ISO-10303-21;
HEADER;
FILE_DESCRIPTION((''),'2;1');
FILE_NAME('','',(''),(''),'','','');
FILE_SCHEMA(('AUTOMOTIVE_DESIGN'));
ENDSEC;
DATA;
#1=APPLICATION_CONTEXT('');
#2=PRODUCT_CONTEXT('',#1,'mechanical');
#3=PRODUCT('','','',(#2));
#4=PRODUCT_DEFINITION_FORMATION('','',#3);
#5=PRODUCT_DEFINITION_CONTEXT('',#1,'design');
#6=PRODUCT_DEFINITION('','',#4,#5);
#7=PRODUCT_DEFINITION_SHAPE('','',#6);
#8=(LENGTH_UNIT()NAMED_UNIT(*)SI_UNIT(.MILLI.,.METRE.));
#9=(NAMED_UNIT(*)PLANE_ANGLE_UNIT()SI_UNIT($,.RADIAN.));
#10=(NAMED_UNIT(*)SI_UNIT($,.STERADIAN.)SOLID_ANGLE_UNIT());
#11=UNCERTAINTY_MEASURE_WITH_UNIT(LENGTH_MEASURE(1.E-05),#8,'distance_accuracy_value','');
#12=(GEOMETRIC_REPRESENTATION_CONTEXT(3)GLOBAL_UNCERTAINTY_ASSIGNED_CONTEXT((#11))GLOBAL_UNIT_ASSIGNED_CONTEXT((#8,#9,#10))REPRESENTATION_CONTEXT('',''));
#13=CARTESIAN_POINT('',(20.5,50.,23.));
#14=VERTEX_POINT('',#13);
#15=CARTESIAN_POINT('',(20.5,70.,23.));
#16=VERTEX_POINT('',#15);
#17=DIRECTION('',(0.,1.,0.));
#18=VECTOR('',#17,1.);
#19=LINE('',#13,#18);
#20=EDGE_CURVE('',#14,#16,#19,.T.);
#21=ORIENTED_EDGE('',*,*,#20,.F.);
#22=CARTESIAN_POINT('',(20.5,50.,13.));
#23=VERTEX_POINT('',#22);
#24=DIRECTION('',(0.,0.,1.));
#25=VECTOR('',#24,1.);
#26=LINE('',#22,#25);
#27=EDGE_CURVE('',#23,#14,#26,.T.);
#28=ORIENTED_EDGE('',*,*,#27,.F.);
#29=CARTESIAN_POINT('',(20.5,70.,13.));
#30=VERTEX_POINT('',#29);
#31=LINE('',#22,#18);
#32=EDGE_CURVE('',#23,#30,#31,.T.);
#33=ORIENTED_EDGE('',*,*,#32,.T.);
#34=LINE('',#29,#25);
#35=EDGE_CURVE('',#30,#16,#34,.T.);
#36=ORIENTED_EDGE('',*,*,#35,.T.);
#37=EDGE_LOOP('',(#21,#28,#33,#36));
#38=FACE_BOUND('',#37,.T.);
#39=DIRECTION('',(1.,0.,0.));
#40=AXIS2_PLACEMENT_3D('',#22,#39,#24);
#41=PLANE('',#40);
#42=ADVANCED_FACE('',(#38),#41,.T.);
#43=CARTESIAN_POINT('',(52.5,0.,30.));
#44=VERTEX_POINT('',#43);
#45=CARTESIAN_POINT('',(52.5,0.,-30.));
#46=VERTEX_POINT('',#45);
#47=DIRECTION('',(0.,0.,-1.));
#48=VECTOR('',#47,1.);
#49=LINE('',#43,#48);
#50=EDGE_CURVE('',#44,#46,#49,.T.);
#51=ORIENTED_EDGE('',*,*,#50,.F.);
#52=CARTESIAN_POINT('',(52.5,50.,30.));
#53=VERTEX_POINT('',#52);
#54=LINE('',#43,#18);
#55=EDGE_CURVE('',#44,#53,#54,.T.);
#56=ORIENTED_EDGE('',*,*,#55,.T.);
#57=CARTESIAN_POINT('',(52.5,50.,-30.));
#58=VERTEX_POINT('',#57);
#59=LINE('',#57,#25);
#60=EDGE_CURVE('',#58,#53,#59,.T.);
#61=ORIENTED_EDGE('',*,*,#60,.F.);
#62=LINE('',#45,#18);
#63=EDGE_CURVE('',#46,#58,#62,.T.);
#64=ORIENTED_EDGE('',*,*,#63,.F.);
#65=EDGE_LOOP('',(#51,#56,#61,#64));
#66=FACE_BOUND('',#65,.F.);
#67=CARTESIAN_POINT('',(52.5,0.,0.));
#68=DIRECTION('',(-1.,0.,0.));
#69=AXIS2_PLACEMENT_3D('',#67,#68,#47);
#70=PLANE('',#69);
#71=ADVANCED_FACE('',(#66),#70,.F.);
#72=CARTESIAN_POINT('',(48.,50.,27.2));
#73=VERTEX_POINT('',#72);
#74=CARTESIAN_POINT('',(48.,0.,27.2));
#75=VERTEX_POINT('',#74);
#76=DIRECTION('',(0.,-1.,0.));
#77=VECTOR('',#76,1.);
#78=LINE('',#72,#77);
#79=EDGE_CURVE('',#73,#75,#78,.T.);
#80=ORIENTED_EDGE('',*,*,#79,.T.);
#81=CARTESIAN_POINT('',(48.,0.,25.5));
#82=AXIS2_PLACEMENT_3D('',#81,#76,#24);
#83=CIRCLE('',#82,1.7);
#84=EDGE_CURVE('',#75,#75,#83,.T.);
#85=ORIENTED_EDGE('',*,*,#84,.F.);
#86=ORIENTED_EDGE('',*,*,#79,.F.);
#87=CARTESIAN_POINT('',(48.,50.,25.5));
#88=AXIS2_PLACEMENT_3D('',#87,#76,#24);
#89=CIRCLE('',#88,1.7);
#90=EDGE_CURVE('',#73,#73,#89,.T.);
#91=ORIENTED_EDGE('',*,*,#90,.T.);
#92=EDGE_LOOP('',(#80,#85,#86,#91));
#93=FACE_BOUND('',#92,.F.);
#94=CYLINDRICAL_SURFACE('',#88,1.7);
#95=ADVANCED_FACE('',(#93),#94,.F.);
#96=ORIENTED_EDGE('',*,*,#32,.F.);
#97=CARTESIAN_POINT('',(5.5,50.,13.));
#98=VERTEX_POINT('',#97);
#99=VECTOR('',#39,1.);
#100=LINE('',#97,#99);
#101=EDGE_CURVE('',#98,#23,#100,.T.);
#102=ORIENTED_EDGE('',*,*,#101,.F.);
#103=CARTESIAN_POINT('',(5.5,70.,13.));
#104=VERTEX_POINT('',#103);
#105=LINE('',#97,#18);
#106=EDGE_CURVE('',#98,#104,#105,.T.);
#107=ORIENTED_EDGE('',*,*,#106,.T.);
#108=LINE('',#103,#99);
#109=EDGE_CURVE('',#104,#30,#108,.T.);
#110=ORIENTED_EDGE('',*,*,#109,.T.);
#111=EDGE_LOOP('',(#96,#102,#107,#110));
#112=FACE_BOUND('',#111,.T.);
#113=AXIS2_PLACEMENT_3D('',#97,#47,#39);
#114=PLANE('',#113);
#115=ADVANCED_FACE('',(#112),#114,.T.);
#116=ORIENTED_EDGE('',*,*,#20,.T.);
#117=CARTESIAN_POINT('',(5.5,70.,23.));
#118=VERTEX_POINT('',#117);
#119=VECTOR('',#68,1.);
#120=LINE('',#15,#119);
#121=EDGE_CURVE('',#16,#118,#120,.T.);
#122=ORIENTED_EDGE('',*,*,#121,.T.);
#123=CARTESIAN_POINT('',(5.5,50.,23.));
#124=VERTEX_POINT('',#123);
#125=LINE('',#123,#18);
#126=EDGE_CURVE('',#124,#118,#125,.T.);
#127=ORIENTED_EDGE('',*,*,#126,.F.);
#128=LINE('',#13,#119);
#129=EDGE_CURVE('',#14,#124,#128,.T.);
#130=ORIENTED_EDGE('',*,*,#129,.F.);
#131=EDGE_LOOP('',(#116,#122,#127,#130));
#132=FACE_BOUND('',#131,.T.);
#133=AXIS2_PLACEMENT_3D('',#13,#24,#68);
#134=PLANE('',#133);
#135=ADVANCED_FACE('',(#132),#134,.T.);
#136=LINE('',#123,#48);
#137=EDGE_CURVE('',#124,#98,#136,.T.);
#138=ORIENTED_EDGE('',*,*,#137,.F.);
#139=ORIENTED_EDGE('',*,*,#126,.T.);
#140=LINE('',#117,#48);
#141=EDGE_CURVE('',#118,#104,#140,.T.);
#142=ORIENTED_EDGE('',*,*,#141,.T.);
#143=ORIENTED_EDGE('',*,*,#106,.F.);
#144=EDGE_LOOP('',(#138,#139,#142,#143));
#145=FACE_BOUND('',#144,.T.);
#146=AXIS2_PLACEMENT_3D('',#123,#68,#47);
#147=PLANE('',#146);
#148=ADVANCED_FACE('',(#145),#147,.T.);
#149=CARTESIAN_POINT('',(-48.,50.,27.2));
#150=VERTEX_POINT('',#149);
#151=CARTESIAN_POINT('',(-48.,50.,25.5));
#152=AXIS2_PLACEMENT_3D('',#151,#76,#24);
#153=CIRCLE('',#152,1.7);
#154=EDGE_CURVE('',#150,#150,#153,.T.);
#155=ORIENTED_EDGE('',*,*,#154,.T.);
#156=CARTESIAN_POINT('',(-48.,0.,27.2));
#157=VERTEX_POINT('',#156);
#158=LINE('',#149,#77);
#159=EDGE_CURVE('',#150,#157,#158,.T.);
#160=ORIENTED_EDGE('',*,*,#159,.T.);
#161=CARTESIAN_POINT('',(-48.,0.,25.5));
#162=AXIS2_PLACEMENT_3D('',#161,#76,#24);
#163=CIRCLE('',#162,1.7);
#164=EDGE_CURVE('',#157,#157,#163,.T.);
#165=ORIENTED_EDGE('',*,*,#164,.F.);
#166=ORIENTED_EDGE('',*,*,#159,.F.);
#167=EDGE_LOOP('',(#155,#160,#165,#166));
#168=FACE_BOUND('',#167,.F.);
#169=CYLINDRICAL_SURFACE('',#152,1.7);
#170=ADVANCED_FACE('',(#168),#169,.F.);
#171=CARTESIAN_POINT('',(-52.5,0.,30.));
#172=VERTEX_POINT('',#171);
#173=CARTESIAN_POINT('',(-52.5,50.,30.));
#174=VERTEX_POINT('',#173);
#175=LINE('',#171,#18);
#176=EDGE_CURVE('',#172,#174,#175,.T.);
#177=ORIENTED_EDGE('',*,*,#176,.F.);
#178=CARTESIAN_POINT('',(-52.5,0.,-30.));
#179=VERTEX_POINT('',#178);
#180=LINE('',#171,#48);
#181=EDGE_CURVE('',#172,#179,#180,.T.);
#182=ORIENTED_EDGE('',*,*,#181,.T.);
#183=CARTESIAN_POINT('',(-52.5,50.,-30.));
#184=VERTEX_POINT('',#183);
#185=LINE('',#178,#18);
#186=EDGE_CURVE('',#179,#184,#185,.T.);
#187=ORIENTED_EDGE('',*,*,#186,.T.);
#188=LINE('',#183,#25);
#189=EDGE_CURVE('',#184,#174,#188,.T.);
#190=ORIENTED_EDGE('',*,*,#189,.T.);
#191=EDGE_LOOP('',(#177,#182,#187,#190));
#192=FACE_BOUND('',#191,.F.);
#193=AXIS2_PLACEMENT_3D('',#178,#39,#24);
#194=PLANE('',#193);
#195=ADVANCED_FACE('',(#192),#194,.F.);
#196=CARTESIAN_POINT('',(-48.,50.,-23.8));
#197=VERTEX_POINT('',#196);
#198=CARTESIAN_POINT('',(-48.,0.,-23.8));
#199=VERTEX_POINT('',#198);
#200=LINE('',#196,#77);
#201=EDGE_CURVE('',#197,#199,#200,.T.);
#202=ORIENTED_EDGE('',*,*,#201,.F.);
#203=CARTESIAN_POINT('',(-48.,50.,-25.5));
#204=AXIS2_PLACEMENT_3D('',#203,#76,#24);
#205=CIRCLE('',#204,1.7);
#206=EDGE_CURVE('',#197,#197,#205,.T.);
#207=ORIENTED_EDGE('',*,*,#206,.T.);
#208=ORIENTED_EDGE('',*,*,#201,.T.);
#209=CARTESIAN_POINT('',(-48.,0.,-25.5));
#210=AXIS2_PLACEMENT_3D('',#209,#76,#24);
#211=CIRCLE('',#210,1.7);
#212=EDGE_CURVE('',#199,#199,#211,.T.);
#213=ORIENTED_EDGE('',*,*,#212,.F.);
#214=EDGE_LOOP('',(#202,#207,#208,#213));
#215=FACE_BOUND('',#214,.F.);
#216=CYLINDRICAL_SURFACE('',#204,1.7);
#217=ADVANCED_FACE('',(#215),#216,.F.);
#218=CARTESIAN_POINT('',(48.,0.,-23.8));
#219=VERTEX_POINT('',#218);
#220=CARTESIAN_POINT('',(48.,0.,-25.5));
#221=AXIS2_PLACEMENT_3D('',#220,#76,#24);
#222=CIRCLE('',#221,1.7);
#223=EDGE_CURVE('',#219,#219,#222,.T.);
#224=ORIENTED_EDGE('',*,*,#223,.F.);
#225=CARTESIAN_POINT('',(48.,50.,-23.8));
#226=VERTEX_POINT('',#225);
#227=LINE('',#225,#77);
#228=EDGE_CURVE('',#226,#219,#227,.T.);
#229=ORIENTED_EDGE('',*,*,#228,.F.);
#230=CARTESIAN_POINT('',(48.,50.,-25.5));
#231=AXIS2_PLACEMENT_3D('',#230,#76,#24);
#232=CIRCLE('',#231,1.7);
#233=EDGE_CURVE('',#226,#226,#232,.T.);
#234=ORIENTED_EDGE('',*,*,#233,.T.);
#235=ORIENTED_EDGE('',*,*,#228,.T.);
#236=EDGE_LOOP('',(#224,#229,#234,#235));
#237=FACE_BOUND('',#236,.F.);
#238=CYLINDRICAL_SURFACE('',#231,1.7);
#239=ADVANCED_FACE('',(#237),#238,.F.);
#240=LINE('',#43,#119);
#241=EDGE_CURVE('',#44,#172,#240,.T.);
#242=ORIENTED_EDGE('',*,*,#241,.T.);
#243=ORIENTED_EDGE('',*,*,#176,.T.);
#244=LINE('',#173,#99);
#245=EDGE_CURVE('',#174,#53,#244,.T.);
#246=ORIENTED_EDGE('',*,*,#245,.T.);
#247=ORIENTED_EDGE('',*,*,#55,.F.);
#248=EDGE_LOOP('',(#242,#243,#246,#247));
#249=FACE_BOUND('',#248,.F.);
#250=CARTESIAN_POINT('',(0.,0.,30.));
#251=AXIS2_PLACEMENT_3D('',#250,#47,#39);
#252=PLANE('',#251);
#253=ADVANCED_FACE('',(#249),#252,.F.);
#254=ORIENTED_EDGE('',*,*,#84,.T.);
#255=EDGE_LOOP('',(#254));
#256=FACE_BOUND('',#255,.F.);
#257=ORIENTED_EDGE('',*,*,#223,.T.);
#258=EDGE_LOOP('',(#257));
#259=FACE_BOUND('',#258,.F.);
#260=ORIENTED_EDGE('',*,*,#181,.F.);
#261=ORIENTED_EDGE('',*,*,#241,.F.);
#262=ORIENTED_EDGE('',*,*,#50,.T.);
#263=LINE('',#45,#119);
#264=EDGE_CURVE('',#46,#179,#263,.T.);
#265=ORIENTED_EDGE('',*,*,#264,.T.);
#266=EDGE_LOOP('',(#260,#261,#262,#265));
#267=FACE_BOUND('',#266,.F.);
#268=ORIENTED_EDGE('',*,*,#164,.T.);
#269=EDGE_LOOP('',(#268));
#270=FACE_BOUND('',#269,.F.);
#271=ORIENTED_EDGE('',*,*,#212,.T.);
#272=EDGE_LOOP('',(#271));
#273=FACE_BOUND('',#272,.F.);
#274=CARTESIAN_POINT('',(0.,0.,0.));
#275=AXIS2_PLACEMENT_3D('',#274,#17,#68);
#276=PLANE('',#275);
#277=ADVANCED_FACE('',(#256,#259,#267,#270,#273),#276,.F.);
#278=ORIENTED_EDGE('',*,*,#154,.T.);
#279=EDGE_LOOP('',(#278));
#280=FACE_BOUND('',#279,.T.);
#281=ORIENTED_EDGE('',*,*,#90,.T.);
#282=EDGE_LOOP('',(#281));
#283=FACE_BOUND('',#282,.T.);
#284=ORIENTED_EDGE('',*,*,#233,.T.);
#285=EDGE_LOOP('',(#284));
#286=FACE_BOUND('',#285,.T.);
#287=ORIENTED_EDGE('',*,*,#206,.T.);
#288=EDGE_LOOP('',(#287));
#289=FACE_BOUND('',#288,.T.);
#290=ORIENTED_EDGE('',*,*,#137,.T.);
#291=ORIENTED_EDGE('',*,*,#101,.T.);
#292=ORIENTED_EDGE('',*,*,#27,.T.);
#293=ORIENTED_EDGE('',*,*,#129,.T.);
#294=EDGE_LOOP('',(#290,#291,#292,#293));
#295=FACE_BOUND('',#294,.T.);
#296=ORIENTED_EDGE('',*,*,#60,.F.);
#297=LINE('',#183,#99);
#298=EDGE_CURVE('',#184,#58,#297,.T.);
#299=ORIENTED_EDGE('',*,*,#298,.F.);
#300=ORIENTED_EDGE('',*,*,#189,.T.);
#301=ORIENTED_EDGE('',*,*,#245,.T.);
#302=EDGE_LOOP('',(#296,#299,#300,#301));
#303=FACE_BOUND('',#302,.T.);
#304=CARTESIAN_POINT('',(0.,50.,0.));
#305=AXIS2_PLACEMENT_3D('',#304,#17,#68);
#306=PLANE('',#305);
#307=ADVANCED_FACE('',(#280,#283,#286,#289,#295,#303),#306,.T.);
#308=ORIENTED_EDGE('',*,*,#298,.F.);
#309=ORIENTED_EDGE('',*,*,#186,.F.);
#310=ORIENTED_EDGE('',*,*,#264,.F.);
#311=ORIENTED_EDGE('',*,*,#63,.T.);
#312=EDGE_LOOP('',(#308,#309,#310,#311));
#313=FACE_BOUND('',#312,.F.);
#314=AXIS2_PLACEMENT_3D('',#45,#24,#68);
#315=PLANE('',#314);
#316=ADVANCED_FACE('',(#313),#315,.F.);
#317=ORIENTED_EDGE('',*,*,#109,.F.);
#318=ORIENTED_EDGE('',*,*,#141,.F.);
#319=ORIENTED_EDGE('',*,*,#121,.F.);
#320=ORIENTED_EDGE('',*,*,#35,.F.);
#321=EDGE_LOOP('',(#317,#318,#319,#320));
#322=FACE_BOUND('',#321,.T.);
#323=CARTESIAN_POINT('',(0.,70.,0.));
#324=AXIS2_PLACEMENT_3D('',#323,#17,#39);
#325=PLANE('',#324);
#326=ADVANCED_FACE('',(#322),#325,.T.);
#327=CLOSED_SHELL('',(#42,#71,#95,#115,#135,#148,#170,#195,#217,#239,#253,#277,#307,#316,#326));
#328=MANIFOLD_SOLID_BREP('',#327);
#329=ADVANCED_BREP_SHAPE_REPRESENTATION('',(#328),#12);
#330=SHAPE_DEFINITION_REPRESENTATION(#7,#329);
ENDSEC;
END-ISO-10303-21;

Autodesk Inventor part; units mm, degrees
ref_plane "YZ Plane" through (0, 0, 0) normal (1, 0, 0) x (0, 1, 0)
ref_plane "XZ Plane" through (0, 0, 0) normal (0, 1, 0) x (-1, 0, 0)
ref_plane "XY Plane" through (0, 0, 0) normal (0, 0, 1) x (1, 0, 0)
sketch "Náčrt1" plane through (0, 0, 0) normal (0, 1, 0) x (-1, 0, 0)
  line L0 (0, -42) -> (0, 42) projected
  line L1 (-73.5, 0) -> (73.5, 0) projected
  line L2 (52.5, 30) -> (-52.5, 30)
  line L3 (-52.5, 30) -> (-52.5, -30)
  line L4 (-52.5, -30) -> (52.5, -30)
  line L5 (52.5, -30) -> (52.5, 30)
  point P0 (0, 0)
  dimension "d0" = 105
  dimension "d1" = 60
extrude "Vysunutí1" add sketch "Náčrt1" along normal blind 50
sketch "Náčrt2" plane through (0, 50, 0) normal (0, 1, 0) x (1, 0, 0)
  line L0 (0, 42) -> (0, -42) projected
  line L1 (73.5, 0) -> (-73.5, 0) projected
  point P0 (0, 0)
  point P1 (-48, 25.5)
  point P2 (-48, -25.5)
  point P3 (48, -25.5)
  point P4 (48, 25.5)
  dimension "d4" = 96
  dimension "d5" = 51
  dimension "d6" = 51
  dimension "d7" = 96
  dimension "d8" = 48
  dimension "d9" = 25.5
  dimension "d10" = 25.5
  dimension "d11" = 48
hole "Díra1" at (-48, 50, -25.5) at (-48, 50, 25.5) at (48, 50, 25.5) at (48, 50, -25.5) direction (0, -1, 0) diameter 3.4 end through all clearance for "Šroub se zápustnou hlavou ISO 2009/7046" size "M3" standard "ISO"
sketch "Náčrt3" plane through (0, 50, 0) normal (0, 1, 0) x (1, 0, 0)
  line L0 (5.5, -13) -> (20.5, -13)
  line L1 (20.5, -13) -> (20.5, -23)
  line L2 (20.5, -23) -> (5.5, -23)
  line L3 (5.5, -23) -> (5.5, -13)
  line L4 (52.5, -30) -> (52.5, 30) projected
  line L5 (-52.5, -30) -> (52.5, -30) projected
  point P0 (0, 0)
  dimension "d19" = 15
  dimension "d20" = 10
  dimension "d21" = 32
  dimension "d22" = 7
extrude "Vysunutí2" add sketch "Náčrt3" along normal blind 20
properties part number "prop_PCB"
